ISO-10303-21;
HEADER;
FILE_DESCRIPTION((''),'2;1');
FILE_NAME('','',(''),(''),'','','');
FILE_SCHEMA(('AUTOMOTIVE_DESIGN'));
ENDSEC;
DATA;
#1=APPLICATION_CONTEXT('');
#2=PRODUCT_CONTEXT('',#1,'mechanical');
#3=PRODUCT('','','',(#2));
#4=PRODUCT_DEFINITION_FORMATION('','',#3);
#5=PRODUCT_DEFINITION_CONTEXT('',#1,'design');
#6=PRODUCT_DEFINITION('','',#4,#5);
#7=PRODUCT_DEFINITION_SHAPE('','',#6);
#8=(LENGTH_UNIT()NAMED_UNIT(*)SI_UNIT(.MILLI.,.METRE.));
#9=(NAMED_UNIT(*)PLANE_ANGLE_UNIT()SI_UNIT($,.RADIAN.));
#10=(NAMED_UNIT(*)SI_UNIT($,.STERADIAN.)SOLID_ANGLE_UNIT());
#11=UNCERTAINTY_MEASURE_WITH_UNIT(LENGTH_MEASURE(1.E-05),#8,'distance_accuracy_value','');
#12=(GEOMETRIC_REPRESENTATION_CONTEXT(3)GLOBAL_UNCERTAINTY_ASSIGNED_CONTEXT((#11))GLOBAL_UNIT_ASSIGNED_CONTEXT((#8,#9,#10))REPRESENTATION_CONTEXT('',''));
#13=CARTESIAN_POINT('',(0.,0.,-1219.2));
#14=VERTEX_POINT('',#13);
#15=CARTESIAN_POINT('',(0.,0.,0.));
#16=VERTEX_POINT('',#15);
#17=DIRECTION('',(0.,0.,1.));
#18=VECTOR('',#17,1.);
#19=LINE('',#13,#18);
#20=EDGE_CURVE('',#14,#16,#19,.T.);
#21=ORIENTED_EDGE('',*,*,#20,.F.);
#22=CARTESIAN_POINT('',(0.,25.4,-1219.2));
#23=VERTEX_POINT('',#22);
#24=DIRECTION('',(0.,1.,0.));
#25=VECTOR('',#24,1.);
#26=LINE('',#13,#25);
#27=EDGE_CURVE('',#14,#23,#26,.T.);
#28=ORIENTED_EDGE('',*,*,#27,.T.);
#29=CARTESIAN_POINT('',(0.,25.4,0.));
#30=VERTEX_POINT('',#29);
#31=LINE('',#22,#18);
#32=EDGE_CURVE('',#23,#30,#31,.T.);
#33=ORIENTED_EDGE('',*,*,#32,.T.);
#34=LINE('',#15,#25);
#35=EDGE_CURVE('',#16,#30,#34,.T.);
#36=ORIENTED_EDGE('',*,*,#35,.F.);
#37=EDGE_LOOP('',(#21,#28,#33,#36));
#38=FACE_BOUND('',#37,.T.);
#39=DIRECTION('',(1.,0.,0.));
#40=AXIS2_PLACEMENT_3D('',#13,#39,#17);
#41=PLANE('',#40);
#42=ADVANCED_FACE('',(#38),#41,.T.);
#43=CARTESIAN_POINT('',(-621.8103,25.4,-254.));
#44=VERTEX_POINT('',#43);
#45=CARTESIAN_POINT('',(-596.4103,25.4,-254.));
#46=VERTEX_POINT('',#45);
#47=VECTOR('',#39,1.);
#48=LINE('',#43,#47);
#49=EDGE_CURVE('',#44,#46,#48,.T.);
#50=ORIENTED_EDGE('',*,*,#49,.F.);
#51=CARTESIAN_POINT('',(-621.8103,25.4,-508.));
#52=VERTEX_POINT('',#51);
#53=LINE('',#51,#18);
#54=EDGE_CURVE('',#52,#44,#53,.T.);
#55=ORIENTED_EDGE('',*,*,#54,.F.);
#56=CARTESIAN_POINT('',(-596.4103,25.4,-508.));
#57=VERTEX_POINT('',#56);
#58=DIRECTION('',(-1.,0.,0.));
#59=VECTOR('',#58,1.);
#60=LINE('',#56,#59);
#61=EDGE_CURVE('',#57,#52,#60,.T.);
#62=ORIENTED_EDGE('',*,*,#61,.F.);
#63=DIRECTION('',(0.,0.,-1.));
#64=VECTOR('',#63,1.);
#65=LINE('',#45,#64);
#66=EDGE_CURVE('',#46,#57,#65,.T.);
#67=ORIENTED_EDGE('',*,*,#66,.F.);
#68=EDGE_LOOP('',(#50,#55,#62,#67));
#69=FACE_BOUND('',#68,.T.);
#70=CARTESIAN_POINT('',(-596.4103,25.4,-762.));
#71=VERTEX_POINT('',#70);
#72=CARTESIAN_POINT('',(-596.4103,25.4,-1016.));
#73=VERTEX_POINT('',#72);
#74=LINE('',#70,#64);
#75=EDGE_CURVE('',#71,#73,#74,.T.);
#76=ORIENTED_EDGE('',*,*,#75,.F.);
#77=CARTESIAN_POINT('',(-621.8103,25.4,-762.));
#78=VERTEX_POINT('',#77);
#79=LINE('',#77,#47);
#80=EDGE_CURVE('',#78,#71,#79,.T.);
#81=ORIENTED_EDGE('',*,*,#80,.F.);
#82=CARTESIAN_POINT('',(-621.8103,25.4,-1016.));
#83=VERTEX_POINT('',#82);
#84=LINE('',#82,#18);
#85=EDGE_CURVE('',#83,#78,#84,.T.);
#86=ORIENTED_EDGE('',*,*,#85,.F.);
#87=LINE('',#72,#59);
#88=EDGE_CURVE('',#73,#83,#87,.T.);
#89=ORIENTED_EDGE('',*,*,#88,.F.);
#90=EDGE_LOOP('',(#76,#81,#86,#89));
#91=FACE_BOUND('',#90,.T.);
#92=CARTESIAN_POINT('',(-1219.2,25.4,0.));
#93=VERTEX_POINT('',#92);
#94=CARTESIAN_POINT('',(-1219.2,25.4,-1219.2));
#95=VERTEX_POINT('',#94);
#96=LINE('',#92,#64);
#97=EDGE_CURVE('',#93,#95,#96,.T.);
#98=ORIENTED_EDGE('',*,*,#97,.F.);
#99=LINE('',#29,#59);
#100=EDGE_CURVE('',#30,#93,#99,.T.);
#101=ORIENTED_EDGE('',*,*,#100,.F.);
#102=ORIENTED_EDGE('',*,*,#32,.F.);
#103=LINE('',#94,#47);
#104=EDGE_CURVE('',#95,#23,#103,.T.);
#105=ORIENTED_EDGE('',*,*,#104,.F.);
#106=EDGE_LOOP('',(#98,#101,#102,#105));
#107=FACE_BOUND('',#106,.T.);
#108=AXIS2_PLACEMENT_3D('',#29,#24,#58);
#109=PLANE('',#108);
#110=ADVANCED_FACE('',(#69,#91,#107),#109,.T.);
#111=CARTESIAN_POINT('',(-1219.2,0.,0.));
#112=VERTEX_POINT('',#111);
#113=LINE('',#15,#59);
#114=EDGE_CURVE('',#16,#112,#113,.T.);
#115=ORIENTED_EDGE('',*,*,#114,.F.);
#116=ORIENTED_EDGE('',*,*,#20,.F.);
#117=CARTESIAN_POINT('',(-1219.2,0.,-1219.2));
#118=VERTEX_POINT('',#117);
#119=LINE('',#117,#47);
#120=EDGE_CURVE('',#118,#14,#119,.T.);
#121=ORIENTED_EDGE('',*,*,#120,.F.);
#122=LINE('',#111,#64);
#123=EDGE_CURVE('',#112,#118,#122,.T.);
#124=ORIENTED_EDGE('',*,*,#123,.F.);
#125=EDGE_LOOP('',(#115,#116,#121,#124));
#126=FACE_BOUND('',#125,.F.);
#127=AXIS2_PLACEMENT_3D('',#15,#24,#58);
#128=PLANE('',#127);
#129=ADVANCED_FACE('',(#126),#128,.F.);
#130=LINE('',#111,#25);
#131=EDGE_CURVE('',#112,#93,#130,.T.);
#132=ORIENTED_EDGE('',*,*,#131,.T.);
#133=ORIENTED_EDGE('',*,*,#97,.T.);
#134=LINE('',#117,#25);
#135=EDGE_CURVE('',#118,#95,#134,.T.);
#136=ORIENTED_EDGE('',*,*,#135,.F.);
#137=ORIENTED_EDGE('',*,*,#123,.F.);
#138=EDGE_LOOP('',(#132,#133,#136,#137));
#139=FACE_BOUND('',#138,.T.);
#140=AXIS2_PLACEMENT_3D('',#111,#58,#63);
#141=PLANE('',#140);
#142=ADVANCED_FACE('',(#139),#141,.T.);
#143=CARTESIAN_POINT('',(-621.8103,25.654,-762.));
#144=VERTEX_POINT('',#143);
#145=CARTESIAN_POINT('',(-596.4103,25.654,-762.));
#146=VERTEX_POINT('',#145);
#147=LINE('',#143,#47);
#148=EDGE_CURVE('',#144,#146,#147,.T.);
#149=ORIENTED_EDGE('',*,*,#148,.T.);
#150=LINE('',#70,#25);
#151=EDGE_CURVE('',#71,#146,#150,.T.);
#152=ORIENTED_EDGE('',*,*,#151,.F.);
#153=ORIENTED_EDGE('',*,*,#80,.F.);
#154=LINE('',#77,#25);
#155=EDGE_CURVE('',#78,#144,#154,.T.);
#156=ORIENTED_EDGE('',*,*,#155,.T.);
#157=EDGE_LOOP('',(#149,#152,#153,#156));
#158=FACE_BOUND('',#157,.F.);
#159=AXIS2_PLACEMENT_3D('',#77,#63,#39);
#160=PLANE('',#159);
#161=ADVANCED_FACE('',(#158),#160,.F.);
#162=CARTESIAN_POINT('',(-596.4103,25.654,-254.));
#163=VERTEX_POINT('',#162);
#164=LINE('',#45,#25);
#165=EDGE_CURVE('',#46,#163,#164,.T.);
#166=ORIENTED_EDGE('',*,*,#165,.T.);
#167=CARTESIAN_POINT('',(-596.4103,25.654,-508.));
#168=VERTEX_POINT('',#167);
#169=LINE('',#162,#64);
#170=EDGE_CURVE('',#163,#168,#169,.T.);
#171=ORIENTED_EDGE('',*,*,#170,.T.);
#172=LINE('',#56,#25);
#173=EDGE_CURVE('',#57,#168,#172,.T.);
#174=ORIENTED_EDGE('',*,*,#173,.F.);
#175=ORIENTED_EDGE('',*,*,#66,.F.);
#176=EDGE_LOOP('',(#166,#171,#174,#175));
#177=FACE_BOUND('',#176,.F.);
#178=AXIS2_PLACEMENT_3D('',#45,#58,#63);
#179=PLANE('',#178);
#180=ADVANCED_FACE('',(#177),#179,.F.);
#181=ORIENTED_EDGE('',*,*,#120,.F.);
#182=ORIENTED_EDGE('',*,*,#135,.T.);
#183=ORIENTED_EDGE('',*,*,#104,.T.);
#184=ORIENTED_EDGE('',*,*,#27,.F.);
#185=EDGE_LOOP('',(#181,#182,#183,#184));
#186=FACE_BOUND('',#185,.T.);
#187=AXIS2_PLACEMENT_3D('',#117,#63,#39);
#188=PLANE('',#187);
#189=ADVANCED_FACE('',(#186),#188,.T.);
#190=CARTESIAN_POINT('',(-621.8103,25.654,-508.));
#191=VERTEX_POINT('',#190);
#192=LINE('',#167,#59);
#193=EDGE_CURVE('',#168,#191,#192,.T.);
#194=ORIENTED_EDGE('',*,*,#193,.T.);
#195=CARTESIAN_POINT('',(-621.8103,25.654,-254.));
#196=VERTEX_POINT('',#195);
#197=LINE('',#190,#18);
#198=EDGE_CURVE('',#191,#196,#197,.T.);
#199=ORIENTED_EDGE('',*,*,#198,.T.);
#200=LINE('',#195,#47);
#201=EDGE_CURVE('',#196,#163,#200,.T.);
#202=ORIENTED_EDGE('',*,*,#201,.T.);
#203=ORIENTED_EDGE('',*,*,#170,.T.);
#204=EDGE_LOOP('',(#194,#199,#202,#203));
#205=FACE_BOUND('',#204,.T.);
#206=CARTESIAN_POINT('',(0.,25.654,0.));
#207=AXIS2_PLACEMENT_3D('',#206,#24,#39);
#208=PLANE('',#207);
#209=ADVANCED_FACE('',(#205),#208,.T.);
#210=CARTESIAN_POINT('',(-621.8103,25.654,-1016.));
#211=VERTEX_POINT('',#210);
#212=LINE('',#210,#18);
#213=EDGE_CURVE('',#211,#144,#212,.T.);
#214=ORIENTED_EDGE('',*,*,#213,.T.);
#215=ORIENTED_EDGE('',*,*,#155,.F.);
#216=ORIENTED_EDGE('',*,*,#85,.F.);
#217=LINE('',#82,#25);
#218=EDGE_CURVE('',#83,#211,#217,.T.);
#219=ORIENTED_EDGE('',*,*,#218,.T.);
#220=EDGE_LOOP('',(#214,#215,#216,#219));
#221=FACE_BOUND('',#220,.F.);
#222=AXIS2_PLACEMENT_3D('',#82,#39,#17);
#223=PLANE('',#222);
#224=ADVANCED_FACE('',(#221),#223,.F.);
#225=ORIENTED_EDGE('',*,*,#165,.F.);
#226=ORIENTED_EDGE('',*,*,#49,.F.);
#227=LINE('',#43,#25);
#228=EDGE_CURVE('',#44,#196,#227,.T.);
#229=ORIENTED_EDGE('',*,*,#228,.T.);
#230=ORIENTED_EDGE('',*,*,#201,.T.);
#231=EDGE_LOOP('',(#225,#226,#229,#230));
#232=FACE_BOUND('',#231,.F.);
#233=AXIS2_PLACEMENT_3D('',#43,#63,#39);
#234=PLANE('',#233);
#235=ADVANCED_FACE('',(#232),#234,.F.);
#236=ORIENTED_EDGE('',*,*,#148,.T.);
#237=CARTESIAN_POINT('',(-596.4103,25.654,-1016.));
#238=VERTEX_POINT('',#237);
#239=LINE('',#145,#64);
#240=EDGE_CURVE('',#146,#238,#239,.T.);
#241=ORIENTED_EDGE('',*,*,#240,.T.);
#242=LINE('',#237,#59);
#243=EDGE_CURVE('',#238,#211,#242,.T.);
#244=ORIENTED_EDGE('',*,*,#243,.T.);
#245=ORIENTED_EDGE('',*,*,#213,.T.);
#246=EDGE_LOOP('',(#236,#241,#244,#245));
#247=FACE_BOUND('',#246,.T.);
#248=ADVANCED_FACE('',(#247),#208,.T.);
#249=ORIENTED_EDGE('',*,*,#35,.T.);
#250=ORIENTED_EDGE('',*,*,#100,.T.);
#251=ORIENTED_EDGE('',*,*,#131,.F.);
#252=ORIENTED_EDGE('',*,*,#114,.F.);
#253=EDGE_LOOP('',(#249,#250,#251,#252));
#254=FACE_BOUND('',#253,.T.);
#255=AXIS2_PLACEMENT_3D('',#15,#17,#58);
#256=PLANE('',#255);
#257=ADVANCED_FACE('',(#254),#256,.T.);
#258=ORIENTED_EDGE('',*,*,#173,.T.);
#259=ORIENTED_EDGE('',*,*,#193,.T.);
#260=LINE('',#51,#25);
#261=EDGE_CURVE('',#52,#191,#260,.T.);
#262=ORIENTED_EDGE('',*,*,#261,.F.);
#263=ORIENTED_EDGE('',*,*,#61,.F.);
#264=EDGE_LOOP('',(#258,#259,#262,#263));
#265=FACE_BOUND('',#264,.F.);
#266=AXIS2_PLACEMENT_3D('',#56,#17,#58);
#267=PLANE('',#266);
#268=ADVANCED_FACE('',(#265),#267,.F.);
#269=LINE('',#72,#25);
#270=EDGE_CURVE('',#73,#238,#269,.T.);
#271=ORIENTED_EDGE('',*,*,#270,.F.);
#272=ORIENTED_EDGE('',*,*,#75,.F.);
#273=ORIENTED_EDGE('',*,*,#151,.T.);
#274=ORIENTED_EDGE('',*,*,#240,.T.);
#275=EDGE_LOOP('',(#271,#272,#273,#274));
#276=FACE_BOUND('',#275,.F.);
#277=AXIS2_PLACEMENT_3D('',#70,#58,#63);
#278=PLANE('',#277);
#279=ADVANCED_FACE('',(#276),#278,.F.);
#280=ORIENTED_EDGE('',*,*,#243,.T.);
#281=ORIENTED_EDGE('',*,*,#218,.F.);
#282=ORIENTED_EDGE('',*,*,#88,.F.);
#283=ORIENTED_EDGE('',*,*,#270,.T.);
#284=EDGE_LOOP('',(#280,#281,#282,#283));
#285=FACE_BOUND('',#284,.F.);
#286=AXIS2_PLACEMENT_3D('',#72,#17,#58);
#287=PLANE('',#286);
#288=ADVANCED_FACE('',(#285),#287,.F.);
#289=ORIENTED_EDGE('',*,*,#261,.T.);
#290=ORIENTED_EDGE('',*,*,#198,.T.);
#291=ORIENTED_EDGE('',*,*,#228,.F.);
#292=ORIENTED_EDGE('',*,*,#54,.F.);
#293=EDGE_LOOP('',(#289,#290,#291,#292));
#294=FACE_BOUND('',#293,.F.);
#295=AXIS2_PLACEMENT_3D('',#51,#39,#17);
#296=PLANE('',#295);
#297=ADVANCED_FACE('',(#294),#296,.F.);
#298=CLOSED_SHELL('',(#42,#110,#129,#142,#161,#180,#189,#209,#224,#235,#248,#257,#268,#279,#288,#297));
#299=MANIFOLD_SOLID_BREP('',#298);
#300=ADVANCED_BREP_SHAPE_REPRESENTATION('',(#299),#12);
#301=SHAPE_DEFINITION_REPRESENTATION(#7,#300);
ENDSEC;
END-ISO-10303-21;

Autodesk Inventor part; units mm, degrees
ref_plane "YZ Plane" through (0, 0, 0) normal (1, 0, 0) x (0, 1, 0)
ref_plane "XZ Plane" through (0, 0, 0) normal (0, 1, 0) x (-1, 0, 0)
ref_plane "XY Plane" through (0, 0, 0) normal (0, 0, 1) x (1, 0, 0)
sketch "Sketch1" plane through (0, 0, 0) normal (0, 1, 0) x (-1, 0, 0)
  line L0 (0, 0) -> (1219.2, 0)
  line L1 (1219.2, 0) -> (1219.2, -1219.2)
  line L2 (1219.2, -1219.2) -> (0, -1219.2)
  line L3 (0, -1219.2) -> (0, 0)
  dimension "d0" = 1219.2
  dimension "d1" = 1219.2
extrude "Extrusion1" add sketch "Sketch1" along normal blind 25.4
sketch "Sketch2" plane through (0, 25.4, 0) normal (0, 1, 0) x (1, 0, 0)
  line L0 (-609.6, -1656.7277) -> (-609.6, 2305.4787) construction
  line L1 (-1219.2, 1219.2) -> (-1219.2, 0) projected
  line L2 (-621.8103, 254) -> (-596.4103, 254)
  line L3 (-596.4103, 254) -> (-596.4103, 508)
  line L4 (-596.4103, 508) -> (-621.8103, 508)
  line L5 (-621.8103, 508) -> (-621.8103, 254)
  line L6 (-1219.2, 0) -> (0, 0) projected
  line L7 (-621.8103, 762) -> (-596.4103, 762)
  line L8 (-596.4103, 762) -> (-596.4103, 1016)
  line L9 (-596.4103, 1016) -> (-621.8103, 1016)
  line L10 (-621.8103, 1016) -> (-621.8103, 762)
  dimension "d4" = 609.6
  dimension "d5" = 25.4
  dimension "d6" = 254
  dimension "d7" = 254
  dimension "d10" = 508
extrude "Extrusion2" add sketch "Sketch2" along normal blind 0.254
